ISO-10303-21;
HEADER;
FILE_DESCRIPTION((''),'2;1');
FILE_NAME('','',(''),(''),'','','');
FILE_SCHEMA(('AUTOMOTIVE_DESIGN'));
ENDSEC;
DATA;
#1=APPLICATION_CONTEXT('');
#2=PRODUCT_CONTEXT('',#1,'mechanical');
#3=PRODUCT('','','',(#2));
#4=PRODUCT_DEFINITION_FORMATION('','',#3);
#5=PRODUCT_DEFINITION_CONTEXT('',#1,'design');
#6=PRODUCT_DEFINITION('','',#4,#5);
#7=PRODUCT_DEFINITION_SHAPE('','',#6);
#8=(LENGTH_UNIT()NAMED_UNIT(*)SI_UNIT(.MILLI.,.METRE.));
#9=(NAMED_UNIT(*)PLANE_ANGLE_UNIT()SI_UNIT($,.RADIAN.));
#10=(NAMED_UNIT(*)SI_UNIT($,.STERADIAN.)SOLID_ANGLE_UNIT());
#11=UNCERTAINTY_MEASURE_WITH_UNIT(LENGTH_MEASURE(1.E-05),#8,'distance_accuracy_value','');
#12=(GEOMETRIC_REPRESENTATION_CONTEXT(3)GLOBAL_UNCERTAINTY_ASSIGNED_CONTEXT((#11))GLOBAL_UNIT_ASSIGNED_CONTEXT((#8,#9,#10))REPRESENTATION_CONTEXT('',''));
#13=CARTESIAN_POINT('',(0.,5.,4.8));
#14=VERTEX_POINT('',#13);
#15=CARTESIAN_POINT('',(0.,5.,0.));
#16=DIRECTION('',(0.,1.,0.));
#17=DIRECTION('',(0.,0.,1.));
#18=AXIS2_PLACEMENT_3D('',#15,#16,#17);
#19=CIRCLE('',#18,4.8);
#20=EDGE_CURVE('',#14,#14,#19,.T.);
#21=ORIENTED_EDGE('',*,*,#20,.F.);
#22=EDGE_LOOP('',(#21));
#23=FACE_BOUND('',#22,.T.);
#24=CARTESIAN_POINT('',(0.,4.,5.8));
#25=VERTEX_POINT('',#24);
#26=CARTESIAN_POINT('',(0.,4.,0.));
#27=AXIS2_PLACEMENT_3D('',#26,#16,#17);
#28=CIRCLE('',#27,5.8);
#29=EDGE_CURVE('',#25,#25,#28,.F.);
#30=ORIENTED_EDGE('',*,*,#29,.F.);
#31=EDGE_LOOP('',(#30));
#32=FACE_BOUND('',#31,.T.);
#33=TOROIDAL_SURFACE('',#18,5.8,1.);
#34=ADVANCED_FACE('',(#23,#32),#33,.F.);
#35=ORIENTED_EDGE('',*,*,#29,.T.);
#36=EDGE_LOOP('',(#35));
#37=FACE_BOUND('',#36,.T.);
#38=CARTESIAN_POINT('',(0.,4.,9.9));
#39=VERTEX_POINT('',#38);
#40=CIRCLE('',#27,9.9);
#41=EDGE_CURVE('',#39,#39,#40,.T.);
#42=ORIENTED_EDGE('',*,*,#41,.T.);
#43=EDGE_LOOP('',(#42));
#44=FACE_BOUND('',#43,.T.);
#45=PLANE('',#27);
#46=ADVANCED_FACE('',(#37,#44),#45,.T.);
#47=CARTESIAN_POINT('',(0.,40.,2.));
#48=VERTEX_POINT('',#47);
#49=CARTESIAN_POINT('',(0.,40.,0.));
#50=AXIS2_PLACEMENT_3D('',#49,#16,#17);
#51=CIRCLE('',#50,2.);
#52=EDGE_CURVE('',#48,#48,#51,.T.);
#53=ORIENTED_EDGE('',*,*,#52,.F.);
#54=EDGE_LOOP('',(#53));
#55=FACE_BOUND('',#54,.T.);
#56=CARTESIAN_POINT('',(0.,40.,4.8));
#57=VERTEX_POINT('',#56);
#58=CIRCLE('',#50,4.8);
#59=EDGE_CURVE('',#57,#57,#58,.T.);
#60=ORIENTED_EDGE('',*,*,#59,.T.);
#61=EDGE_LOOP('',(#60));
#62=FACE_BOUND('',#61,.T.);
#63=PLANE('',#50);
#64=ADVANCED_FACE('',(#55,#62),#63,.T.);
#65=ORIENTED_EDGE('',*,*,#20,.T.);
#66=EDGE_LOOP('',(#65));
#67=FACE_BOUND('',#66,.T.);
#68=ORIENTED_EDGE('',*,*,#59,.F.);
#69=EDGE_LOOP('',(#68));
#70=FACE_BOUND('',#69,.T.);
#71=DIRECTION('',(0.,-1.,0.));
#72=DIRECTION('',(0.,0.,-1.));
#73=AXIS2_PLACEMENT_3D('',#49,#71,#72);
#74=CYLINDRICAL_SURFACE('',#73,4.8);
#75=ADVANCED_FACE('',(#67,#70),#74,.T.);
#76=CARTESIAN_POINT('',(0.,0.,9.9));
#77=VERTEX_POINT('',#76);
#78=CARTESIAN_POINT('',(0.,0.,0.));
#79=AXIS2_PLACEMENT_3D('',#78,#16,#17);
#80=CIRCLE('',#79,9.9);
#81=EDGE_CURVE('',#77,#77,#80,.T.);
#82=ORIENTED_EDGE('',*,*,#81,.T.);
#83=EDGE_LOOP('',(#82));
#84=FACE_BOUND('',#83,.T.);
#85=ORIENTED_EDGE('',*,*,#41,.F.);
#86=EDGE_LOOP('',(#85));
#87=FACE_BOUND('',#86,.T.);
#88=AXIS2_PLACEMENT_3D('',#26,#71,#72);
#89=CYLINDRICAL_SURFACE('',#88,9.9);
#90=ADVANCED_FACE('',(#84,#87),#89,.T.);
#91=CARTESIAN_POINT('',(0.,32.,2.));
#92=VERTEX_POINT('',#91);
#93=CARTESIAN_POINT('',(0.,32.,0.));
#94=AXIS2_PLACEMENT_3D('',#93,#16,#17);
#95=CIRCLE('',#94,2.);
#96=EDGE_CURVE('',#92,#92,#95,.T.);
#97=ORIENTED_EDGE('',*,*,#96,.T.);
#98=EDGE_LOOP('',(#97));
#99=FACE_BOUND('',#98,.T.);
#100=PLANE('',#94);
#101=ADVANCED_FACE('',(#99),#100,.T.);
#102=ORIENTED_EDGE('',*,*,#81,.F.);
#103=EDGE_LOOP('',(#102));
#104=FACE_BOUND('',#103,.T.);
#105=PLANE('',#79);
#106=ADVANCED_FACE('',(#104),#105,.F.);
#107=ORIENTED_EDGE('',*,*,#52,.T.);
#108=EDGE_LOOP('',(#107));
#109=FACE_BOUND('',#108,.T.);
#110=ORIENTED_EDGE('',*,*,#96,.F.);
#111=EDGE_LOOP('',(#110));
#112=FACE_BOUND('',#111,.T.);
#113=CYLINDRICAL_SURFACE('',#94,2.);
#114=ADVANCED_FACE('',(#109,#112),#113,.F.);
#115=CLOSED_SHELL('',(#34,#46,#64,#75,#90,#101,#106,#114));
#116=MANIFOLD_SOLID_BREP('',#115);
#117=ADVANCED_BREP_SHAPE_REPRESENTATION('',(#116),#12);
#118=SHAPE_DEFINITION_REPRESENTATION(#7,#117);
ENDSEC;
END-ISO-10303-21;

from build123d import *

# Parameters (mm, degrees)
SKETCH1_R           = 9.9
SKETCH1_R_2         = 4.8
SKETCH1_R_3         = 2
BOSS_EXTRUDE1_DEPTH = 4
BOSS_EXTRUDE2_START = 4
SKETCH1_3_R         = 4.8
SKETCH1_3_R_2       = 2
BOSS_EXTRUDE2_DEPTH = 36
CUT_EXTRUDE1_START  = 40
SKETCH1_4_R         = 2
CUT_EXTRUDE1_DEPTH  = 8
FILLET1_R           = 1


with BuildPart() as part:
    # Sketch1 → Boss-Extrude1 (new body)
    with BuildSketch(Plane(origin=(0, 0, 0), x_dir=(1, 0, 0), z_dir=(0, 1, 0))):
        with Locations(Location((0, 0, 0), (0, 0, 270))):
            Circle(SKETCH1_R)
        Circle(SKETCH1_R_2, mode=Mode.SUBTRACT)
        Circle(SKETCH1_R_2)
        Circle(SKETCH1_R_3, mode=Mode.SUBTRACT)
        Circle(SKETCH1_R_3)
    extrude(amount=BOSS_EXTRUDE1_DEPTH)

    # Sketch1<3> → Boss-Extrude2 (add)
    with BuildSketch(Plane(origin=(0, 0, 0), x_dir=(1, 0, 0), z_dir=(0, 1, 0)).offset(BOSS_EXTRUDE2_START)):
        with Locations(Location((0, 0, 0), (0, 0, 270))):
            Circle(SKETCH1_3_R)
        Circle(SKETCH1_3_R_2, mode=Mode.SUBTRACT)
        Circle(SKETCH1_3_R_2)
    extrude(amount=BOSS_EXTRUDE2_DEPTH)

    # Sketch1<4> → Cut-Extrude1 (cut)
    with BuildSketch(Plane(origin=(0, 0, 0), x_dir=(1, 0, 0), z_dir=(0, 1, 0)).offset(CUT_EXTRUDE1_START)):
        with Locations(Location((0, 0, 0), (0, 0, 270))):
            Circle(SKETCH1_4_R)
    extrude(amount=-CUT_EXTRUDE1_DEPTH, mode=Mode.SUBTRACT)

    # Fillet1
    fillet1_edges = [part.edges().sort_by_distance(p)[0] for p in [
        (0, 4, -4.8),
    ]]
    fillet(fillet1_edges, radius=FILLET1_R)


solid = part.part
